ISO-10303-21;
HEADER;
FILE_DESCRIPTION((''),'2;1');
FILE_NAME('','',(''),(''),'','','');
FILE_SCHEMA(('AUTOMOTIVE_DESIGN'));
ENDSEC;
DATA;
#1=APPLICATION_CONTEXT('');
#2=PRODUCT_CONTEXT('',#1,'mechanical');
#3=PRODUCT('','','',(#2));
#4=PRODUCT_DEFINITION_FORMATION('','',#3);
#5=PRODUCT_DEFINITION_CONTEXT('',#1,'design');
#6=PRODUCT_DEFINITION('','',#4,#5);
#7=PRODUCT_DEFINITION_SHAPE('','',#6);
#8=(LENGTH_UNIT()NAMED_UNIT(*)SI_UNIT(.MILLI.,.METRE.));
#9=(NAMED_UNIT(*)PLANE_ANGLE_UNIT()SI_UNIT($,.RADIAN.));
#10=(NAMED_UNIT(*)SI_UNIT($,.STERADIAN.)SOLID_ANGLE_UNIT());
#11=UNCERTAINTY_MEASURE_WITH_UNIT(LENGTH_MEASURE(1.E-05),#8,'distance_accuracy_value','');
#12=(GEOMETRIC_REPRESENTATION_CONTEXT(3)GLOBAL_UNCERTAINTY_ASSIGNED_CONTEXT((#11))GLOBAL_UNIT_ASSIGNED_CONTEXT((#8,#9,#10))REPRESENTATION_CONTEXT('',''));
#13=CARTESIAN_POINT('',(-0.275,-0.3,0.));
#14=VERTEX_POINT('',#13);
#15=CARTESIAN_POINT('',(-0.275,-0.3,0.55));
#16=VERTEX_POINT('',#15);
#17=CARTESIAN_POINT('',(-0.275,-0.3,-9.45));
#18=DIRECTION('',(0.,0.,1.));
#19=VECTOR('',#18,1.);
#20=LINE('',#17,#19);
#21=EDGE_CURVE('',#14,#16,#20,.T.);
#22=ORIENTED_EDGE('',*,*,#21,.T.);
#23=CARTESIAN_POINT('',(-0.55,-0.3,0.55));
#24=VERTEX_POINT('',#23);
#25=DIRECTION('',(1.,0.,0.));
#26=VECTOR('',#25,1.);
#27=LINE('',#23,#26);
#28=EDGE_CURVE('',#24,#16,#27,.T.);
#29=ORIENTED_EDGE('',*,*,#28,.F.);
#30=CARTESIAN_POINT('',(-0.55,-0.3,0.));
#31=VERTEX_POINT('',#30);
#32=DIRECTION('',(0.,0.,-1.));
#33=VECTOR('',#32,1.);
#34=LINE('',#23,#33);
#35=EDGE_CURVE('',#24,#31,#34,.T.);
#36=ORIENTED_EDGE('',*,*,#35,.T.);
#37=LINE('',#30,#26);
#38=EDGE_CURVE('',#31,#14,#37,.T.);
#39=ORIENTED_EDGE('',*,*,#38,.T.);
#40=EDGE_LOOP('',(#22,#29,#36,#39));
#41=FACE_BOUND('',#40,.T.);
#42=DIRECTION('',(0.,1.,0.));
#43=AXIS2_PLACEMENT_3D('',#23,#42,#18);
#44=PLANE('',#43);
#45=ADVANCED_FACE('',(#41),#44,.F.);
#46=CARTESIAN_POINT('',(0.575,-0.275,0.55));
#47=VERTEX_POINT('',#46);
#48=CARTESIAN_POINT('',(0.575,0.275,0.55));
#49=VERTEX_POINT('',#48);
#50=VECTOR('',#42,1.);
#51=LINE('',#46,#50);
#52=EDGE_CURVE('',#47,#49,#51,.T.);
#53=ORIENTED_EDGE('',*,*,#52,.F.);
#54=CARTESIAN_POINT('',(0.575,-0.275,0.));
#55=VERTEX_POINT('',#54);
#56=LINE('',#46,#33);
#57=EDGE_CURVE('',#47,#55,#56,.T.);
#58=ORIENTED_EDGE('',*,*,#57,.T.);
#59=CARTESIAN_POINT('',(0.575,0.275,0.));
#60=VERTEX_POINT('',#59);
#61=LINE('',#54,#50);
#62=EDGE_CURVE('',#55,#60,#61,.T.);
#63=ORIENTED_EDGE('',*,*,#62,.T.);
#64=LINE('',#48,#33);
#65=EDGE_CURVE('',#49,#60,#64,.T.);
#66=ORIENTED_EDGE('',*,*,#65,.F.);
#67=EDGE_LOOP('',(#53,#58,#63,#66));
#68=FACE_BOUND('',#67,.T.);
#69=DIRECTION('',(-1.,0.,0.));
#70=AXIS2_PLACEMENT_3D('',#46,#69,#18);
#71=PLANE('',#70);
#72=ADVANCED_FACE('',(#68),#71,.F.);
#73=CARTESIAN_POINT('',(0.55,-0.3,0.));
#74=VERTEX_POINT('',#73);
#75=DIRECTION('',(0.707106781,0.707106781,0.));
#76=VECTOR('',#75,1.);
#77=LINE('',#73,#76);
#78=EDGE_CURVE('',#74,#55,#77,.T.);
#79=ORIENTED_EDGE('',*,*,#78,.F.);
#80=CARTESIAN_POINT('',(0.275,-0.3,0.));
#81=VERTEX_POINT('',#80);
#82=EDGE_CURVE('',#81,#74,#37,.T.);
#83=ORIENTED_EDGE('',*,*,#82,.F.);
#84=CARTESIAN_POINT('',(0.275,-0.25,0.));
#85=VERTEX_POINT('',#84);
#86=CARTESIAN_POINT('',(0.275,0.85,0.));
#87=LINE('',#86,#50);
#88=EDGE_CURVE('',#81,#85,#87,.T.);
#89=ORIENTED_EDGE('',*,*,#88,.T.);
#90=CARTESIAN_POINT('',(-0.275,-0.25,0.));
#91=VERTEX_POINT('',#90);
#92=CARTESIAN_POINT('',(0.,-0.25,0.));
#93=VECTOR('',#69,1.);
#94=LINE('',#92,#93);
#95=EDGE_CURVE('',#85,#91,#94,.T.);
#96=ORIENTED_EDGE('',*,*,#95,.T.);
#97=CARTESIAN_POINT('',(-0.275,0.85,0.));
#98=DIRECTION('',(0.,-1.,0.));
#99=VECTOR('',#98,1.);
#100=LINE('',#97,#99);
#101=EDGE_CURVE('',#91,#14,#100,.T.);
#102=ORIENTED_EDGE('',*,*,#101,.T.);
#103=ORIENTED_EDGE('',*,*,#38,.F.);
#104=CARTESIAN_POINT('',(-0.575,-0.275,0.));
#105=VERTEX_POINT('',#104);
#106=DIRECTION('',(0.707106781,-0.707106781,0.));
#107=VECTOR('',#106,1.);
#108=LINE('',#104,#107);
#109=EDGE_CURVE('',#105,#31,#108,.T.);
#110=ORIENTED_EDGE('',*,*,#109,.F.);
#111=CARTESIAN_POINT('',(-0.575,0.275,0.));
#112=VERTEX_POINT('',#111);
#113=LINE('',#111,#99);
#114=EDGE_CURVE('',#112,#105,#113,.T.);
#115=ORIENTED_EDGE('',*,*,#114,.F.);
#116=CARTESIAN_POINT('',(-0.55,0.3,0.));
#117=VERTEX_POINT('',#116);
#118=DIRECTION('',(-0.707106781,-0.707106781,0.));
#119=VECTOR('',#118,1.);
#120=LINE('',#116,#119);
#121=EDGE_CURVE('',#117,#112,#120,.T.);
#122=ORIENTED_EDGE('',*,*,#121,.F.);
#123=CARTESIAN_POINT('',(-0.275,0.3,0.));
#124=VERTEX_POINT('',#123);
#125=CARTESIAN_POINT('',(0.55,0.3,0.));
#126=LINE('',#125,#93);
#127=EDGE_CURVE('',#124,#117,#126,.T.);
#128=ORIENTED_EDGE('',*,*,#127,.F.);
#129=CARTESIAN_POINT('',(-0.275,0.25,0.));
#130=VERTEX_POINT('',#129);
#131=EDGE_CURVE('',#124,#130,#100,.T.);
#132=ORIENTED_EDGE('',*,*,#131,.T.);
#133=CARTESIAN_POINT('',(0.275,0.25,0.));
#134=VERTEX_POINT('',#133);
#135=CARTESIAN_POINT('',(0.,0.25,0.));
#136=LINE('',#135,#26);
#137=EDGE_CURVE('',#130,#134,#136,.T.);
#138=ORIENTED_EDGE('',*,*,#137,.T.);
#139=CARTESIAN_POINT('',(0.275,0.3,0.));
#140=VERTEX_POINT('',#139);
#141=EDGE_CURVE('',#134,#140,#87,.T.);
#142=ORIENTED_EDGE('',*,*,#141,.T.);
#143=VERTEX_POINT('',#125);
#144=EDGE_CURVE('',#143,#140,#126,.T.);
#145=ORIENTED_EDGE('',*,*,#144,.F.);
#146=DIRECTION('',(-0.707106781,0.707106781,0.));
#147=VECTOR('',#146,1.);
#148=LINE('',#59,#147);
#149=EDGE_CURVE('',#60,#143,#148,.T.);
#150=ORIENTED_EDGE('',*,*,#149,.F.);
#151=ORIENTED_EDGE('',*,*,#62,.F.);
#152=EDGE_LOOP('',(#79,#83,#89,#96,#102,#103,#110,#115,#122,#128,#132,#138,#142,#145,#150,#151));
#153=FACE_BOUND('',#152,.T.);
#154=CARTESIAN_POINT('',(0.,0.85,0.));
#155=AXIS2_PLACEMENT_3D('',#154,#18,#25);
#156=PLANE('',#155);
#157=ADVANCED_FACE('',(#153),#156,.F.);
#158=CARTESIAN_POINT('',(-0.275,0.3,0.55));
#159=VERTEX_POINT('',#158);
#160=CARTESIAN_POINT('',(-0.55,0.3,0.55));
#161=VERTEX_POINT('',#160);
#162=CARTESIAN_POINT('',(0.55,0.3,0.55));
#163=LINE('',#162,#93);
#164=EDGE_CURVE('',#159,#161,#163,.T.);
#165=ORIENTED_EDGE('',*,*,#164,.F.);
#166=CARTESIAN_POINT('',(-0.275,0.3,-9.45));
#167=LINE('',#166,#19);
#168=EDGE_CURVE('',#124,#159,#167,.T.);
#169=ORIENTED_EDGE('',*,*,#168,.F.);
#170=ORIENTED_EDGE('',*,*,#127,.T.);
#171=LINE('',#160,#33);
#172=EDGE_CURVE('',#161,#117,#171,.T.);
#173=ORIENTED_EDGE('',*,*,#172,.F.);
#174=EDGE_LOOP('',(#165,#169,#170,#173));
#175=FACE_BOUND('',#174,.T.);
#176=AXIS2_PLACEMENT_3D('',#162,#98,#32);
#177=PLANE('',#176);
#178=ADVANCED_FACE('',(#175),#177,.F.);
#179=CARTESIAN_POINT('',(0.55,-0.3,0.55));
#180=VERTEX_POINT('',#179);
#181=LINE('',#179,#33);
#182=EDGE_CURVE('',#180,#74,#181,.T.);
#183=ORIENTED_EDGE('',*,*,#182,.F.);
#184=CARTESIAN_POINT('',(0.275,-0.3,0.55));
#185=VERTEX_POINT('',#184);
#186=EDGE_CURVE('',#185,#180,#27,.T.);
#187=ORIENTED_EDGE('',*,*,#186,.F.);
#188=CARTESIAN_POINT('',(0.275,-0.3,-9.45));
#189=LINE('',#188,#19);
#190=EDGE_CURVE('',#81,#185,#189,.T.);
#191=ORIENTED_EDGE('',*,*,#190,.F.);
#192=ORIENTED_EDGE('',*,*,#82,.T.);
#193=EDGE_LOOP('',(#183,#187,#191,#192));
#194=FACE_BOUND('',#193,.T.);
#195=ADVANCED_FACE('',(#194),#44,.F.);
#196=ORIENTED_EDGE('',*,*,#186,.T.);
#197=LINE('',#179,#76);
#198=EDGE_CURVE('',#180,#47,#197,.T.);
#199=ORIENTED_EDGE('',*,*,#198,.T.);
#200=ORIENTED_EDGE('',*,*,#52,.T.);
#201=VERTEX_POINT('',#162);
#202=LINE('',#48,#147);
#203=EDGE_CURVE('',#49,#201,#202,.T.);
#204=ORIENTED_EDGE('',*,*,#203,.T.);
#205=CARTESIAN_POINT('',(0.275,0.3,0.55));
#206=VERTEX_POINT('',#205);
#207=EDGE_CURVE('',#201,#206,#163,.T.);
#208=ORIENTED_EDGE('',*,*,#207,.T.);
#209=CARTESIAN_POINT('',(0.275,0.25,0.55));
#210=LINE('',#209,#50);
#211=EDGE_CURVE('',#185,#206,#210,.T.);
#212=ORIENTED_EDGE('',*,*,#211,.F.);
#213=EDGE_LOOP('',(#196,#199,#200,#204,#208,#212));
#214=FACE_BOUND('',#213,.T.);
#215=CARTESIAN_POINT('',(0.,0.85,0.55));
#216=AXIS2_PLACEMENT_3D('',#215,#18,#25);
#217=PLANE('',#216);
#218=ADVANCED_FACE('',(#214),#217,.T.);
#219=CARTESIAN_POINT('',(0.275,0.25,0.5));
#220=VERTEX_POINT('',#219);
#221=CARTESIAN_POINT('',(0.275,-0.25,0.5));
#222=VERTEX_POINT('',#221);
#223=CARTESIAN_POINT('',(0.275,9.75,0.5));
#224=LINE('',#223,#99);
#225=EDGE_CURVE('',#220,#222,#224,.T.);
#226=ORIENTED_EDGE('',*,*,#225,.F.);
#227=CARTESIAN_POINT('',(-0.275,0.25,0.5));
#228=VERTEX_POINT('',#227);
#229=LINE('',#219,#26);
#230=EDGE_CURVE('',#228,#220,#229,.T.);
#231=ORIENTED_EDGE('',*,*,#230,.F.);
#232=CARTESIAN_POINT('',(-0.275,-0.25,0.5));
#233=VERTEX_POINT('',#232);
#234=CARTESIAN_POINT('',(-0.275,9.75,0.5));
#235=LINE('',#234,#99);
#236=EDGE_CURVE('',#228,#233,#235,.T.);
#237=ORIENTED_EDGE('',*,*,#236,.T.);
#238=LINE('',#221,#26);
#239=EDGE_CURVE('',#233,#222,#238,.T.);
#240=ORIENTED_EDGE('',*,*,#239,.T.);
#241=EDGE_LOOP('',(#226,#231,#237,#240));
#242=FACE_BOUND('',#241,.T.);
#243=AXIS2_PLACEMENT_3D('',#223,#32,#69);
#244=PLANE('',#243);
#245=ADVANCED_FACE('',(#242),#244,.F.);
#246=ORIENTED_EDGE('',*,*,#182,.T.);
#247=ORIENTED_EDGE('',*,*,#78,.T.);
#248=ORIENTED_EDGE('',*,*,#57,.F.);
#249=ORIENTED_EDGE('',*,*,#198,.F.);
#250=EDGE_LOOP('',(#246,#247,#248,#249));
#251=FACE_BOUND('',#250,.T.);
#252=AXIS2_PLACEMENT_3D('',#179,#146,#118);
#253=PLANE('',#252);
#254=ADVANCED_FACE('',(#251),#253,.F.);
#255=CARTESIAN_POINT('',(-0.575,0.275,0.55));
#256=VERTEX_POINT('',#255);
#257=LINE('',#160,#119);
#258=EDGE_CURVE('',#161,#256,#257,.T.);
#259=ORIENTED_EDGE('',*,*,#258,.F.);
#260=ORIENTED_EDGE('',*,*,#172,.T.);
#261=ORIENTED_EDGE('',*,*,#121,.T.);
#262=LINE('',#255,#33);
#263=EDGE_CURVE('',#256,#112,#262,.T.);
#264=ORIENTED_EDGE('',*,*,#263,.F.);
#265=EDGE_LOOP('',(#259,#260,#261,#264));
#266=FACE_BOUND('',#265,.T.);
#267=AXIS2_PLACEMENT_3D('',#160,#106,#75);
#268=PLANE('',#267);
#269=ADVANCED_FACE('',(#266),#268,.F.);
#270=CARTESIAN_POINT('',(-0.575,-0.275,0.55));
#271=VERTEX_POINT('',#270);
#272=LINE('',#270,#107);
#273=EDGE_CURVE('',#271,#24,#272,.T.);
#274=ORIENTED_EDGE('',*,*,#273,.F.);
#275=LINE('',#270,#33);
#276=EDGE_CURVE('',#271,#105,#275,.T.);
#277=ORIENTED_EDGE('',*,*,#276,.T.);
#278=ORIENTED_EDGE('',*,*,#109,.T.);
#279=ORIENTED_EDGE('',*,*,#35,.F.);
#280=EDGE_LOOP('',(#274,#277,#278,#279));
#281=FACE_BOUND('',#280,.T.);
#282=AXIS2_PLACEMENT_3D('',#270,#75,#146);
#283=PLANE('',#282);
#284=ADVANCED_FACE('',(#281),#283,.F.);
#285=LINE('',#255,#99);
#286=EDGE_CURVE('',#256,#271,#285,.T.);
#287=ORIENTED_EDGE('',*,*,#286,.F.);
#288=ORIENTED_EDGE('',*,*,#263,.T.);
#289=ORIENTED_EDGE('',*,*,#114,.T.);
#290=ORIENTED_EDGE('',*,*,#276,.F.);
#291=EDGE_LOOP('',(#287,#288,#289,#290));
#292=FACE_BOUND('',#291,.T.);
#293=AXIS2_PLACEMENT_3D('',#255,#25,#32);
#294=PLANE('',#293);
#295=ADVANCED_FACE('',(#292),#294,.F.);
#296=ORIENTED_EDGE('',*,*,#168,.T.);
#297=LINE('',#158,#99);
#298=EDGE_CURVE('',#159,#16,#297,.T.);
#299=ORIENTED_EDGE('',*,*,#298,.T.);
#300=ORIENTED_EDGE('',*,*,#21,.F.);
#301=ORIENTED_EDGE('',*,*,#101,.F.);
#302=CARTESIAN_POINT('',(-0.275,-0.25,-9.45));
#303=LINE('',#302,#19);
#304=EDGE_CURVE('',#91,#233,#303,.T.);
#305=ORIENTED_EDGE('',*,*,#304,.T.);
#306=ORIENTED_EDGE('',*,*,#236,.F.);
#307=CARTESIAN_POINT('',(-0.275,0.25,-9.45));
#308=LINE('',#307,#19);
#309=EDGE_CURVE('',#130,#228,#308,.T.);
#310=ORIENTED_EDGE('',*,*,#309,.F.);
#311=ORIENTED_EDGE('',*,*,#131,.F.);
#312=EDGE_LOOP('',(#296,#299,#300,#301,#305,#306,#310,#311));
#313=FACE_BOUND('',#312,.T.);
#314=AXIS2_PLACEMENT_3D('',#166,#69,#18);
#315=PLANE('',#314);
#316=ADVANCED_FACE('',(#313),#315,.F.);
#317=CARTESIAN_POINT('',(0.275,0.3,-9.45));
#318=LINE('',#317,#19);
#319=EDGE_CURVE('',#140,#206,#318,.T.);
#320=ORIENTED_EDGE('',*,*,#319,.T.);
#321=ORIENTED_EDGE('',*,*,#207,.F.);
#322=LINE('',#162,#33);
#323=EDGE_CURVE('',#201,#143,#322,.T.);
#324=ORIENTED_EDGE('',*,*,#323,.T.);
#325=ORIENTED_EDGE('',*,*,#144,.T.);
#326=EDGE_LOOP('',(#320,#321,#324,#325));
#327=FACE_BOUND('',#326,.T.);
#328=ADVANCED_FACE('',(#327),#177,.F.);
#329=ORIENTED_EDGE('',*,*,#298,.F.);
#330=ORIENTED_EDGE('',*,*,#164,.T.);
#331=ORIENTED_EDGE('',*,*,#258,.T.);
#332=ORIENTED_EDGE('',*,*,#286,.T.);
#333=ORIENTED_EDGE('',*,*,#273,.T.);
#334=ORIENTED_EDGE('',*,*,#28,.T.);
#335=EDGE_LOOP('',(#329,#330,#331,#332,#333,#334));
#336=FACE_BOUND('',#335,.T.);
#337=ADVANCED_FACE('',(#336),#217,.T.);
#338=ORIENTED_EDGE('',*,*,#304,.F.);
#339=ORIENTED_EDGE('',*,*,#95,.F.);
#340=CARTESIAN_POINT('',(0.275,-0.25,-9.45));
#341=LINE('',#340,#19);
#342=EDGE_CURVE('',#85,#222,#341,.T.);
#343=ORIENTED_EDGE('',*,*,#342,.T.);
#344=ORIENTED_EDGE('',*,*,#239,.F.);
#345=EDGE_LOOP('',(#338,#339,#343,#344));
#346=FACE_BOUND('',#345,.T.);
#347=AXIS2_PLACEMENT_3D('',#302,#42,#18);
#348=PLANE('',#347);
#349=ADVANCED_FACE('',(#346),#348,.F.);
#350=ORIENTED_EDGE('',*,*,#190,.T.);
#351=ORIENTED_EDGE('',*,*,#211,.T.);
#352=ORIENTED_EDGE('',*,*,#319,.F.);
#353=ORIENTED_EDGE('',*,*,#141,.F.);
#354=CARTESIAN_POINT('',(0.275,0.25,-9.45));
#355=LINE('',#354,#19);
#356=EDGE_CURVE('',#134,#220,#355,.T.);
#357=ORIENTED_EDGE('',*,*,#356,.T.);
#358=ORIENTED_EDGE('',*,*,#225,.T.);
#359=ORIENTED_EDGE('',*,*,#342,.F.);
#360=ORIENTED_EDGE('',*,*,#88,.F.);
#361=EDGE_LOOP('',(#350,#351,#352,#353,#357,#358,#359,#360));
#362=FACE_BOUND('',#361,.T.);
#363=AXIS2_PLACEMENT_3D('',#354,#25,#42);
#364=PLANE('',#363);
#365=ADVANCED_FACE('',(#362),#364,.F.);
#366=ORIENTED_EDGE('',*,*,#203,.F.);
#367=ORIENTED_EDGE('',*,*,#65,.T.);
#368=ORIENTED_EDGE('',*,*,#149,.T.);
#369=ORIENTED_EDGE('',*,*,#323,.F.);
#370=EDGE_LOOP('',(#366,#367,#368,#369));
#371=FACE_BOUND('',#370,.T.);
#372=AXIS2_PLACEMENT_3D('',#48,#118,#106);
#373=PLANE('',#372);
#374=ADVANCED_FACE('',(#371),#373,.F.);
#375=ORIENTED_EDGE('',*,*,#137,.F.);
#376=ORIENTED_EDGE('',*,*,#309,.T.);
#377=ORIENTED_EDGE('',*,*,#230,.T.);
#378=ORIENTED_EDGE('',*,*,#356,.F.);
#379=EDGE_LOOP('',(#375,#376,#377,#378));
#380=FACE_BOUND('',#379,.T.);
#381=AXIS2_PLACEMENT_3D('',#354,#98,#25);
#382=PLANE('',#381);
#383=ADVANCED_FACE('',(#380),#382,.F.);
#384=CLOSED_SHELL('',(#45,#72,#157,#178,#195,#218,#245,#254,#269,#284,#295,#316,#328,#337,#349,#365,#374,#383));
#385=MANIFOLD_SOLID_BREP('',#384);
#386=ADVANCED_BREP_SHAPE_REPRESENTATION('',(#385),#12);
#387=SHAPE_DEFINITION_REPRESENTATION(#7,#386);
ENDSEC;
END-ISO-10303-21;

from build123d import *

# Parameters (mm, degrees)
EXTRUDE1_DEPTH     = 0.55
SKETCH1_W          = 0.55
SKETCH1_H          = 0.05
CUT_EXTRUDE1_DEPTH = 10
SKETCH2_W          = 0.55
SKETCH2_H          = 0.05
CUT_EXTRUDE2_DEPTH = 10


with BuildPart() as part:
    # COMPONENT_OUTLINE → Extrude1 (new body)
    with BuildSketch(Plane.XY):
        Polygon((0.55, 0.3), (-0.55, 0.3), (-0.575, 0.275), (-0.575, -0.275), (-0.55, -0.3), (0.55, -0.3), (0.575, -0.275), (0.575, 0.275), align=None)
    extrude(amount=EXTRUDE1_DEPTH)

    # Sketch1 → Cut-Extrude1 (cut)
    with BuildSketch(Plane.XY.offset(0.55)):
        with Locations((0, -0.275)):
            Rectangle(SKETCH1_W, SKETCH1_H)
        with Locations((0, 0.275)):
            Rectangle(SKETCH1_W, SKETCH1_H)
    extrude(amount=-CUT_EXTRUDE1_DEPTH, mode=Mode.SUBTRACT)

    # Sketch2 → Cut-Extrude2 (cut)
    with BuildSketch(Plane.XZ.offset(0.25)):
        with Locations((0, 0.525)):
            Rectangle(SKETCH2_W, SKETCH2_H)
    extrude(amount=-CUT_EXTRUDE2_DEPTH, mode=Mode.SUBTRACT)


solid = part.part
